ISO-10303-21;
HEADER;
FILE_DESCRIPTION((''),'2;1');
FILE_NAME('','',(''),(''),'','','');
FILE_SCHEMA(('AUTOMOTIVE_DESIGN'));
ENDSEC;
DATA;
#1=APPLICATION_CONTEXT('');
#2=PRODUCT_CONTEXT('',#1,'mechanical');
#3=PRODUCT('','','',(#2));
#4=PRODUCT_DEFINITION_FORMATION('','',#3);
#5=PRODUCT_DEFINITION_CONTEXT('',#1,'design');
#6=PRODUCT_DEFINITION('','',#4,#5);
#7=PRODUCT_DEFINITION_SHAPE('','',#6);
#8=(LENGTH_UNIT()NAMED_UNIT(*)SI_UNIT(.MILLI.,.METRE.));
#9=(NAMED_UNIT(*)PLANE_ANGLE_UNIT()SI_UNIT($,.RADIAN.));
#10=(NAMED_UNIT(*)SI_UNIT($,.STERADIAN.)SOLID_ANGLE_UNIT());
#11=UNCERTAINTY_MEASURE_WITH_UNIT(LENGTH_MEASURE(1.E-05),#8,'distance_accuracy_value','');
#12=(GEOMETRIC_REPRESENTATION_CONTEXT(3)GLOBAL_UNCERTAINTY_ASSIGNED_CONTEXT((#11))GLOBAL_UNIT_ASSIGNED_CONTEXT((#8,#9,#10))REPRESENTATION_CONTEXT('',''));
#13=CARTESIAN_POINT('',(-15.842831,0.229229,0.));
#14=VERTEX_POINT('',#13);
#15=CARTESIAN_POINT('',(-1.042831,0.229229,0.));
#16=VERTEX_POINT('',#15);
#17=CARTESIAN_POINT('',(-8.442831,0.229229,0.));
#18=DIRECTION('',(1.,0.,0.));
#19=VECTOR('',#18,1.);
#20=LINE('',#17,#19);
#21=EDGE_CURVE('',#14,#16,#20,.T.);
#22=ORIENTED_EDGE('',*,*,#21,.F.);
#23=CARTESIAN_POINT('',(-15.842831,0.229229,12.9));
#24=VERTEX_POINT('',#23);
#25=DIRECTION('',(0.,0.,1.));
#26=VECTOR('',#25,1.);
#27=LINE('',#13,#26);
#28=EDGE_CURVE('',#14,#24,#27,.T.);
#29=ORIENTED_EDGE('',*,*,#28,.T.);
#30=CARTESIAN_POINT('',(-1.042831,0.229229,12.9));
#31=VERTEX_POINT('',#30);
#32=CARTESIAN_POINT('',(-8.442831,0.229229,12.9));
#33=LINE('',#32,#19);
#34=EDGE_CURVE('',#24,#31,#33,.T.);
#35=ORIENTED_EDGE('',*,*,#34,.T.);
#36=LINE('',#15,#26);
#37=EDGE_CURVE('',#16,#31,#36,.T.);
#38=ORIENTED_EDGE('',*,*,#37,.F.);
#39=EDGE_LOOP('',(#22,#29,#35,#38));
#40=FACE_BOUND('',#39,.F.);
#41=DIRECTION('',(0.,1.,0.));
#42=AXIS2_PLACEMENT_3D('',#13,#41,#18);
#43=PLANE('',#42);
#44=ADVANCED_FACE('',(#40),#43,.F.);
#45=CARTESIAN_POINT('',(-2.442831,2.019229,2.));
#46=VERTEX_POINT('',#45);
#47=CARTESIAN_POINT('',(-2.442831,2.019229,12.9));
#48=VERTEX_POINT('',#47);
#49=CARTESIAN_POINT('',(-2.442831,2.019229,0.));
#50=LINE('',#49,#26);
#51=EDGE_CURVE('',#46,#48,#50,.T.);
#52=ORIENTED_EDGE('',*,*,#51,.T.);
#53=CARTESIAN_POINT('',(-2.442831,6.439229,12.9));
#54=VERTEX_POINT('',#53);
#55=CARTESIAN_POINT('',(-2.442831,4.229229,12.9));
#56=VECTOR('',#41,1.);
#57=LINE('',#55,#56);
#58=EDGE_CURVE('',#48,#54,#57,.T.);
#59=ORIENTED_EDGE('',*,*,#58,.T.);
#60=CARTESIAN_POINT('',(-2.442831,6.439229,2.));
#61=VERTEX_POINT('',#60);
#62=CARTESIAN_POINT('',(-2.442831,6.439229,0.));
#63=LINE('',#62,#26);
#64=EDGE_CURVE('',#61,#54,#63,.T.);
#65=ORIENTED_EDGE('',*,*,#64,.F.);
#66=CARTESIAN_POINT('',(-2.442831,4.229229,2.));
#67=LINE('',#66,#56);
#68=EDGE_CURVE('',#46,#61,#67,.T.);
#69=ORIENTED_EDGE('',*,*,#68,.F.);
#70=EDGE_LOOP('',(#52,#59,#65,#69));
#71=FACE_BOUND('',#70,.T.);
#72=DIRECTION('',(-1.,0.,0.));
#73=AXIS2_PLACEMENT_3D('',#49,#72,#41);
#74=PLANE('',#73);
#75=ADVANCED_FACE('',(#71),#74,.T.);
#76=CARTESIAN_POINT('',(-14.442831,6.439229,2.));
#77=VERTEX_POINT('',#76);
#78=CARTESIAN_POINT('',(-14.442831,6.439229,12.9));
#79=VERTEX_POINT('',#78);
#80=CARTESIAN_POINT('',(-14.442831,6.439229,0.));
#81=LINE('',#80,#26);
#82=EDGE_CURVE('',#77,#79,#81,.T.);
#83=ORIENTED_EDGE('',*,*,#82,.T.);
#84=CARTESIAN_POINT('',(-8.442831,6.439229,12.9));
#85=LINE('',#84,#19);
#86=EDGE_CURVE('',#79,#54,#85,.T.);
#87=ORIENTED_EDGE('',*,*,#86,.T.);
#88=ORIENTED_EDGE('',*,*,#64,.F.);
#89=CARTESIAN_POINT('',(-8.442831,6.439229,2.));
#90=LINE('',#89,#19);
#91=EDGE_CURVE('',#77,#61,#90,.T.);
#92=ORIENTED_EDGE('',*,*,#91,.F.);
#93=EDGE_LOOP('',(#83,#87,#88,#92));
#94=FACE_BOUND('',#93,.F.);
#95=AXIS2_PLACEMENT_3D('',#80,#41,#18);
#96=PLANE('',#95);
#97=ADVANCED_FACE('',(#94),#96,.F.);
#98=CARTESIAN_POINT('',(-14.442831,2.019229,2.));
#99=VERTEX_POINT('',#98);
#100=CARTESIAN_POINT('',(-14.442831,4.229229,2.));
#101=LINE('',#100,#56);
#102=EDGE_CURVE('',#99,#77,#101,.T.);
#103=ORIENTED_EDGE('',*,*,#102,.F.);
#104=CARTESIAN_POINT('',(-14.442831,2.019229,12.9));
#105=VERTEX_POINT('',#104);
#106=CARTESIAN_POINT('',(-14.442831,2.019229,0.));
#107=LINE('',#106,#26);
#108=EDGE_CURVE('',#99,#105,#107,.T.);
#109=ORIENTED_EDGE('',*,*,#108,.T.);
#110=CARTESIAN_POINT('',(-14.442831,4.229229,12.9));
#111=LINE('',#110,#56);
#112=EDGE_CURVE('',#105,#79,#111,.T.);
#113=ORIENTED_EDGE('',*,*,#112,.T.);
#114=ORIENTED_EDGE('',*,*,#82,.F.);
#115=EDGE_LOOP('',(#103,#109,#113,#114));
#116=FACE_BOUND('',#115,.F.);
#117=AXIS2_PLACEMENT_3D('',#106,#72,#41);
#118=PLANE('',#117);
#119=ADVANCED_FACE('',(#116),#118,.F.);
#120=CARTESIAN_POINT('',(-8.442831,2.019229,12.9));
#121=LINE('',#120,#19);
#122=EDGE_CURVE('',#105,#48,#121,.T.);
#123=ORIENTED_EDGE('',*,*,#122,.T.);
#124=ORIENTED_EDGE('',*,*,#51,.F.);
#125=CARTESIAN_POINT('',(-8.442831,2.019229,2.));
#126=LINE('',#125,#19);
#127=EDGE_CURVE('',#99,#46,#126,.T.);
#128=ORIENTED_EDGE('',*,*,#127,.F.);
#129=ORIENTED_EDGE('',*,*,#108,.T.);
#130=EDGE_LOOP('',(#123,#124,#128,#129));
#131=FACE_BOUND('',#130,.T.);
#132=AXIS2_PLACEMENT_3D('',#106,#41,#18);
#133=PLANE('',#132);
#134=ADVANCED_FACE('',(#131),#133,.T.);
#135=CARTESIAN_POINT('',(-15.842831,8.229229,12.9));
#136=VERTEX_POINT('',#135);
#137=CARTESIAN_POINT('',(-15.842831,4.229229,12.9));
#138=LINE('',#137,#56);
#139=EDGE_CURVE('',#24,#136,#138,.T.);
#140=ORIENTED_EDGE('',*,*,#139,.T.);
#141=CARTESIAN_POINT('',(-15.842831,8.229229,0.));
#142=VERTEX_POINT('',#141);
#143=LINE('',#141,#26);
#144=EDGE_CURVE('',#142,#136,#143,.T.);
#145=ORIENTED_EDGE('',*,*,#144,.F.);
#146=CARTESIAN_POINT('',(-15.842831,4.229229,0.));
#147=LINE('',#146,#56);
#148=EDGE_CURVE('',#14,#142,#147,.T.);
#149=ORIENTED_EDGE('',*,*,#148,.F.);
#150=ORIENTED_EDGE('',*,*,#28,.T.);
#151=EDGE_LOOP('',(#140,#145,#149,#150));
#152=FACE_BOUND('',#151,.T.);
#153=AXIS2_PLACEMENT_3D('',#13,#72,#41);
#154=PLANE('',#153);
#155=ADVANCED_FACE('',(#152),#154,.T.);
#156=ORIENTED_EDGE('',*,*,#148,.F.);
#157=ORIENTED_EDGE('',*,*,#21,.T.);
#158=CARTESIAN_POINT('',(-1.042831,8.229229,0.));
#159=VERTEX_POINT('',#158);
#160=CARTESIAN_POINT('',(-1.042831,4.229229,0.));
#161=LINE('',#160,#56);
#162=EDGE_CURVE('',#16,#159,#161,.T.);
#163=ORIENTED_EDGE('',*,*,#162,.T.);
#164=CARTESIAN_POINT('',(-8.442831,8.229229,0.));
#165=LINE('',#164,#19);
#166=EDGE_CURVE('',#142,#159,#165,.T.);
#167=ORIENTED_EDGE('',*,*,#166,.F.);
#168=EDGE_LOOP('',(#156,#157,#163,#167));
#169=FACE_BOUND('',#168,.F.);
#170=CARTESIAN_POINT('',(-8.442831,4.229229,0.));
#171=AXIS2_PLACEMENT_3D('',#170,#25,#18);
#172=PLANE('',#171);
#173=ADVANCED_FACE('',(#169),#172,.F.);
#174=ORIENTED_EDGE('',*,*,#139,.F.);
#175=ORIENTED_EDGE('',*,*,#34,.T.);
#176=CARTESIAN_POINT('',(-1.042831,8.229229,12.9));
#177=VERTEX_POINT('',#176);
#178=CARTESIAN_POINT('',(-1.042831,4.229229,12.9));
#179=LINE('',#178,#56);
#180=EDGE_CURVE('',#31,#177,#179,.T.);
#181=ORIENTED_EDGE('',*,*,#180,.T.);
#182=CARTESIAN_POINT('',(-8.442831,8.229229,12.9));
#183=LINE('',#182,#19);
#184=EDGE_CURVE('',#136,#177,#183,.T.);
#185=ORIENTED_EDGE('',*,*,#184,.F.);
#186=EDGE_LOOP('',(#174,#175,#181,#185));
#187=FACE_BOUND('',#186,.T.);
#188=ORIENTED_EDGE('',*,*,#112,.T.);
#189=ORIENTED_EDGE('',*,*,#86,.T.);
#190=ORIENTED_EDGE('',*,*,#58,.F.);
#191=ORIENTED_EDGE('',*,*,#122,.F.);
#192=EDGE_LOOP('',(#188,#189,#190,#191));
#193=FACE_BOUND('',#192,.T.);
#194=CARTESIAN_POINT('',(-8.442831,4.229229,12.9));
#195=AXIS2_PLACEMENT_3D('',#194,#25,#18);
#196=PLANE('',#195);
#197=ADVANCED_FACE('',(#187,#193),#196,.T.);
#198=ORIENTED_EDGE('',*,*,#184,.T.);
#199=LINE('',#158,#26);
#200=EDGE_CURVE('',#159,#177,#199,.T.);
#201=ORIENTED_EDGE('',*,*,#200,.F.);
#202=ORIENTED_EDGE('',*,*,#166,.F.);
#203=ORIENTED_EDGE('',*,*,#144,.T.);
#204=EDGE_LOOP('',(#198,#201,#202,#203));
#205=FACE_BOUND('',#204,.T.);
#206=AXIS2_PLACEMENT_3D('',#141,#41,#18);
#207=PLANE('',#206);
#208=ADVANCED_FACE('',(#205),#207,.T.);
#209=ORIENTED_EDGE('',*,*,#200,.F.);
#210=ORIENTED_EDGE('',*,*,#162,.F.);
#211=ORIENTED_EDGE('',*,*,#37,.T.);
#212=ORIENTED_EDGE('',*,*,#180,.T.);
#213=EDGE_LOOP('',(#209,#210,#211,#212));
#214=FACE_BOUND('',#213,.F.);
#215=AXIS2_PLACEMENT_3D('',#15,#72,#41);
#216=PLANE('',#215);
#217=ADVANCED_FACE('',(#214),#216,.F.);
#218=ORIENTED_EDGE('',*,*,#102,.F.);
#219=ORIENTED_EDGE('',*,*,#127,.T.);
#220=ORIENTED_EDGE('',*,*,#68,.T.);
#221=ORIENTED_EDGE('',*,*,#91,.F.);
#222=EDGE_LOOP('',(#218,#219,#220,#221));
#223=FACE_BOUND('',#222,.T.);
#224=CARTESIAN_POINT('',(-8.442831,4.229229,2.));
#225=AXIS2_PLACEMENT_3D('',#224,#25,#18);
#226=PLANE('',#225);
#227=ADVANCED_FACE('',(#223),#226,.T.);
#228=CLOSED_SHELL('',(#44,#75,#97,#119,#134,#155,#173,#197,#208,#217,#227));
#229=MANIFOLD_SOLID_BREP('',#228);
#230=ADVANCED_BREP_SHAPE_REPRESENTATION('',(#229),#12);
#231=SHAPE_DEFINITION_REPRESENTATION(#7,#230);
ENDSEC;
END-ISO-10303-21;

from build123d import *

# Parameters (mm, degrees)
F0_W     = 12
F0_H     = 4.42
F1_DEPTH = 2
F0_W_2   = 14.8
F0_H_2   = 8
F2_DEPTH = 12.9


with BuildPart() as f1:
    # F0 (on Top) → F1 (new body)
    with BuildSketch(Plane.XY):
        with Locations((-8.442831, 4.229229)):
            Rectangle(F0_W, F0_H)
    extrude(amount=F1_DEPTH)

    # F0 (on Top) → F2 (join)
    with BuildSketch(Plane.XY):
        with Locations((-8.442831, 4.229229)):
            Rectangle(F0_W_2, F0_H_2)
        with Locations((-8.442831, 4.229229)):
            Rectangle(F0_W, F0_H, mode=Mode.SUBTRACT)
    extrude(amount=F2_DEPTH)


solid = f1.part
